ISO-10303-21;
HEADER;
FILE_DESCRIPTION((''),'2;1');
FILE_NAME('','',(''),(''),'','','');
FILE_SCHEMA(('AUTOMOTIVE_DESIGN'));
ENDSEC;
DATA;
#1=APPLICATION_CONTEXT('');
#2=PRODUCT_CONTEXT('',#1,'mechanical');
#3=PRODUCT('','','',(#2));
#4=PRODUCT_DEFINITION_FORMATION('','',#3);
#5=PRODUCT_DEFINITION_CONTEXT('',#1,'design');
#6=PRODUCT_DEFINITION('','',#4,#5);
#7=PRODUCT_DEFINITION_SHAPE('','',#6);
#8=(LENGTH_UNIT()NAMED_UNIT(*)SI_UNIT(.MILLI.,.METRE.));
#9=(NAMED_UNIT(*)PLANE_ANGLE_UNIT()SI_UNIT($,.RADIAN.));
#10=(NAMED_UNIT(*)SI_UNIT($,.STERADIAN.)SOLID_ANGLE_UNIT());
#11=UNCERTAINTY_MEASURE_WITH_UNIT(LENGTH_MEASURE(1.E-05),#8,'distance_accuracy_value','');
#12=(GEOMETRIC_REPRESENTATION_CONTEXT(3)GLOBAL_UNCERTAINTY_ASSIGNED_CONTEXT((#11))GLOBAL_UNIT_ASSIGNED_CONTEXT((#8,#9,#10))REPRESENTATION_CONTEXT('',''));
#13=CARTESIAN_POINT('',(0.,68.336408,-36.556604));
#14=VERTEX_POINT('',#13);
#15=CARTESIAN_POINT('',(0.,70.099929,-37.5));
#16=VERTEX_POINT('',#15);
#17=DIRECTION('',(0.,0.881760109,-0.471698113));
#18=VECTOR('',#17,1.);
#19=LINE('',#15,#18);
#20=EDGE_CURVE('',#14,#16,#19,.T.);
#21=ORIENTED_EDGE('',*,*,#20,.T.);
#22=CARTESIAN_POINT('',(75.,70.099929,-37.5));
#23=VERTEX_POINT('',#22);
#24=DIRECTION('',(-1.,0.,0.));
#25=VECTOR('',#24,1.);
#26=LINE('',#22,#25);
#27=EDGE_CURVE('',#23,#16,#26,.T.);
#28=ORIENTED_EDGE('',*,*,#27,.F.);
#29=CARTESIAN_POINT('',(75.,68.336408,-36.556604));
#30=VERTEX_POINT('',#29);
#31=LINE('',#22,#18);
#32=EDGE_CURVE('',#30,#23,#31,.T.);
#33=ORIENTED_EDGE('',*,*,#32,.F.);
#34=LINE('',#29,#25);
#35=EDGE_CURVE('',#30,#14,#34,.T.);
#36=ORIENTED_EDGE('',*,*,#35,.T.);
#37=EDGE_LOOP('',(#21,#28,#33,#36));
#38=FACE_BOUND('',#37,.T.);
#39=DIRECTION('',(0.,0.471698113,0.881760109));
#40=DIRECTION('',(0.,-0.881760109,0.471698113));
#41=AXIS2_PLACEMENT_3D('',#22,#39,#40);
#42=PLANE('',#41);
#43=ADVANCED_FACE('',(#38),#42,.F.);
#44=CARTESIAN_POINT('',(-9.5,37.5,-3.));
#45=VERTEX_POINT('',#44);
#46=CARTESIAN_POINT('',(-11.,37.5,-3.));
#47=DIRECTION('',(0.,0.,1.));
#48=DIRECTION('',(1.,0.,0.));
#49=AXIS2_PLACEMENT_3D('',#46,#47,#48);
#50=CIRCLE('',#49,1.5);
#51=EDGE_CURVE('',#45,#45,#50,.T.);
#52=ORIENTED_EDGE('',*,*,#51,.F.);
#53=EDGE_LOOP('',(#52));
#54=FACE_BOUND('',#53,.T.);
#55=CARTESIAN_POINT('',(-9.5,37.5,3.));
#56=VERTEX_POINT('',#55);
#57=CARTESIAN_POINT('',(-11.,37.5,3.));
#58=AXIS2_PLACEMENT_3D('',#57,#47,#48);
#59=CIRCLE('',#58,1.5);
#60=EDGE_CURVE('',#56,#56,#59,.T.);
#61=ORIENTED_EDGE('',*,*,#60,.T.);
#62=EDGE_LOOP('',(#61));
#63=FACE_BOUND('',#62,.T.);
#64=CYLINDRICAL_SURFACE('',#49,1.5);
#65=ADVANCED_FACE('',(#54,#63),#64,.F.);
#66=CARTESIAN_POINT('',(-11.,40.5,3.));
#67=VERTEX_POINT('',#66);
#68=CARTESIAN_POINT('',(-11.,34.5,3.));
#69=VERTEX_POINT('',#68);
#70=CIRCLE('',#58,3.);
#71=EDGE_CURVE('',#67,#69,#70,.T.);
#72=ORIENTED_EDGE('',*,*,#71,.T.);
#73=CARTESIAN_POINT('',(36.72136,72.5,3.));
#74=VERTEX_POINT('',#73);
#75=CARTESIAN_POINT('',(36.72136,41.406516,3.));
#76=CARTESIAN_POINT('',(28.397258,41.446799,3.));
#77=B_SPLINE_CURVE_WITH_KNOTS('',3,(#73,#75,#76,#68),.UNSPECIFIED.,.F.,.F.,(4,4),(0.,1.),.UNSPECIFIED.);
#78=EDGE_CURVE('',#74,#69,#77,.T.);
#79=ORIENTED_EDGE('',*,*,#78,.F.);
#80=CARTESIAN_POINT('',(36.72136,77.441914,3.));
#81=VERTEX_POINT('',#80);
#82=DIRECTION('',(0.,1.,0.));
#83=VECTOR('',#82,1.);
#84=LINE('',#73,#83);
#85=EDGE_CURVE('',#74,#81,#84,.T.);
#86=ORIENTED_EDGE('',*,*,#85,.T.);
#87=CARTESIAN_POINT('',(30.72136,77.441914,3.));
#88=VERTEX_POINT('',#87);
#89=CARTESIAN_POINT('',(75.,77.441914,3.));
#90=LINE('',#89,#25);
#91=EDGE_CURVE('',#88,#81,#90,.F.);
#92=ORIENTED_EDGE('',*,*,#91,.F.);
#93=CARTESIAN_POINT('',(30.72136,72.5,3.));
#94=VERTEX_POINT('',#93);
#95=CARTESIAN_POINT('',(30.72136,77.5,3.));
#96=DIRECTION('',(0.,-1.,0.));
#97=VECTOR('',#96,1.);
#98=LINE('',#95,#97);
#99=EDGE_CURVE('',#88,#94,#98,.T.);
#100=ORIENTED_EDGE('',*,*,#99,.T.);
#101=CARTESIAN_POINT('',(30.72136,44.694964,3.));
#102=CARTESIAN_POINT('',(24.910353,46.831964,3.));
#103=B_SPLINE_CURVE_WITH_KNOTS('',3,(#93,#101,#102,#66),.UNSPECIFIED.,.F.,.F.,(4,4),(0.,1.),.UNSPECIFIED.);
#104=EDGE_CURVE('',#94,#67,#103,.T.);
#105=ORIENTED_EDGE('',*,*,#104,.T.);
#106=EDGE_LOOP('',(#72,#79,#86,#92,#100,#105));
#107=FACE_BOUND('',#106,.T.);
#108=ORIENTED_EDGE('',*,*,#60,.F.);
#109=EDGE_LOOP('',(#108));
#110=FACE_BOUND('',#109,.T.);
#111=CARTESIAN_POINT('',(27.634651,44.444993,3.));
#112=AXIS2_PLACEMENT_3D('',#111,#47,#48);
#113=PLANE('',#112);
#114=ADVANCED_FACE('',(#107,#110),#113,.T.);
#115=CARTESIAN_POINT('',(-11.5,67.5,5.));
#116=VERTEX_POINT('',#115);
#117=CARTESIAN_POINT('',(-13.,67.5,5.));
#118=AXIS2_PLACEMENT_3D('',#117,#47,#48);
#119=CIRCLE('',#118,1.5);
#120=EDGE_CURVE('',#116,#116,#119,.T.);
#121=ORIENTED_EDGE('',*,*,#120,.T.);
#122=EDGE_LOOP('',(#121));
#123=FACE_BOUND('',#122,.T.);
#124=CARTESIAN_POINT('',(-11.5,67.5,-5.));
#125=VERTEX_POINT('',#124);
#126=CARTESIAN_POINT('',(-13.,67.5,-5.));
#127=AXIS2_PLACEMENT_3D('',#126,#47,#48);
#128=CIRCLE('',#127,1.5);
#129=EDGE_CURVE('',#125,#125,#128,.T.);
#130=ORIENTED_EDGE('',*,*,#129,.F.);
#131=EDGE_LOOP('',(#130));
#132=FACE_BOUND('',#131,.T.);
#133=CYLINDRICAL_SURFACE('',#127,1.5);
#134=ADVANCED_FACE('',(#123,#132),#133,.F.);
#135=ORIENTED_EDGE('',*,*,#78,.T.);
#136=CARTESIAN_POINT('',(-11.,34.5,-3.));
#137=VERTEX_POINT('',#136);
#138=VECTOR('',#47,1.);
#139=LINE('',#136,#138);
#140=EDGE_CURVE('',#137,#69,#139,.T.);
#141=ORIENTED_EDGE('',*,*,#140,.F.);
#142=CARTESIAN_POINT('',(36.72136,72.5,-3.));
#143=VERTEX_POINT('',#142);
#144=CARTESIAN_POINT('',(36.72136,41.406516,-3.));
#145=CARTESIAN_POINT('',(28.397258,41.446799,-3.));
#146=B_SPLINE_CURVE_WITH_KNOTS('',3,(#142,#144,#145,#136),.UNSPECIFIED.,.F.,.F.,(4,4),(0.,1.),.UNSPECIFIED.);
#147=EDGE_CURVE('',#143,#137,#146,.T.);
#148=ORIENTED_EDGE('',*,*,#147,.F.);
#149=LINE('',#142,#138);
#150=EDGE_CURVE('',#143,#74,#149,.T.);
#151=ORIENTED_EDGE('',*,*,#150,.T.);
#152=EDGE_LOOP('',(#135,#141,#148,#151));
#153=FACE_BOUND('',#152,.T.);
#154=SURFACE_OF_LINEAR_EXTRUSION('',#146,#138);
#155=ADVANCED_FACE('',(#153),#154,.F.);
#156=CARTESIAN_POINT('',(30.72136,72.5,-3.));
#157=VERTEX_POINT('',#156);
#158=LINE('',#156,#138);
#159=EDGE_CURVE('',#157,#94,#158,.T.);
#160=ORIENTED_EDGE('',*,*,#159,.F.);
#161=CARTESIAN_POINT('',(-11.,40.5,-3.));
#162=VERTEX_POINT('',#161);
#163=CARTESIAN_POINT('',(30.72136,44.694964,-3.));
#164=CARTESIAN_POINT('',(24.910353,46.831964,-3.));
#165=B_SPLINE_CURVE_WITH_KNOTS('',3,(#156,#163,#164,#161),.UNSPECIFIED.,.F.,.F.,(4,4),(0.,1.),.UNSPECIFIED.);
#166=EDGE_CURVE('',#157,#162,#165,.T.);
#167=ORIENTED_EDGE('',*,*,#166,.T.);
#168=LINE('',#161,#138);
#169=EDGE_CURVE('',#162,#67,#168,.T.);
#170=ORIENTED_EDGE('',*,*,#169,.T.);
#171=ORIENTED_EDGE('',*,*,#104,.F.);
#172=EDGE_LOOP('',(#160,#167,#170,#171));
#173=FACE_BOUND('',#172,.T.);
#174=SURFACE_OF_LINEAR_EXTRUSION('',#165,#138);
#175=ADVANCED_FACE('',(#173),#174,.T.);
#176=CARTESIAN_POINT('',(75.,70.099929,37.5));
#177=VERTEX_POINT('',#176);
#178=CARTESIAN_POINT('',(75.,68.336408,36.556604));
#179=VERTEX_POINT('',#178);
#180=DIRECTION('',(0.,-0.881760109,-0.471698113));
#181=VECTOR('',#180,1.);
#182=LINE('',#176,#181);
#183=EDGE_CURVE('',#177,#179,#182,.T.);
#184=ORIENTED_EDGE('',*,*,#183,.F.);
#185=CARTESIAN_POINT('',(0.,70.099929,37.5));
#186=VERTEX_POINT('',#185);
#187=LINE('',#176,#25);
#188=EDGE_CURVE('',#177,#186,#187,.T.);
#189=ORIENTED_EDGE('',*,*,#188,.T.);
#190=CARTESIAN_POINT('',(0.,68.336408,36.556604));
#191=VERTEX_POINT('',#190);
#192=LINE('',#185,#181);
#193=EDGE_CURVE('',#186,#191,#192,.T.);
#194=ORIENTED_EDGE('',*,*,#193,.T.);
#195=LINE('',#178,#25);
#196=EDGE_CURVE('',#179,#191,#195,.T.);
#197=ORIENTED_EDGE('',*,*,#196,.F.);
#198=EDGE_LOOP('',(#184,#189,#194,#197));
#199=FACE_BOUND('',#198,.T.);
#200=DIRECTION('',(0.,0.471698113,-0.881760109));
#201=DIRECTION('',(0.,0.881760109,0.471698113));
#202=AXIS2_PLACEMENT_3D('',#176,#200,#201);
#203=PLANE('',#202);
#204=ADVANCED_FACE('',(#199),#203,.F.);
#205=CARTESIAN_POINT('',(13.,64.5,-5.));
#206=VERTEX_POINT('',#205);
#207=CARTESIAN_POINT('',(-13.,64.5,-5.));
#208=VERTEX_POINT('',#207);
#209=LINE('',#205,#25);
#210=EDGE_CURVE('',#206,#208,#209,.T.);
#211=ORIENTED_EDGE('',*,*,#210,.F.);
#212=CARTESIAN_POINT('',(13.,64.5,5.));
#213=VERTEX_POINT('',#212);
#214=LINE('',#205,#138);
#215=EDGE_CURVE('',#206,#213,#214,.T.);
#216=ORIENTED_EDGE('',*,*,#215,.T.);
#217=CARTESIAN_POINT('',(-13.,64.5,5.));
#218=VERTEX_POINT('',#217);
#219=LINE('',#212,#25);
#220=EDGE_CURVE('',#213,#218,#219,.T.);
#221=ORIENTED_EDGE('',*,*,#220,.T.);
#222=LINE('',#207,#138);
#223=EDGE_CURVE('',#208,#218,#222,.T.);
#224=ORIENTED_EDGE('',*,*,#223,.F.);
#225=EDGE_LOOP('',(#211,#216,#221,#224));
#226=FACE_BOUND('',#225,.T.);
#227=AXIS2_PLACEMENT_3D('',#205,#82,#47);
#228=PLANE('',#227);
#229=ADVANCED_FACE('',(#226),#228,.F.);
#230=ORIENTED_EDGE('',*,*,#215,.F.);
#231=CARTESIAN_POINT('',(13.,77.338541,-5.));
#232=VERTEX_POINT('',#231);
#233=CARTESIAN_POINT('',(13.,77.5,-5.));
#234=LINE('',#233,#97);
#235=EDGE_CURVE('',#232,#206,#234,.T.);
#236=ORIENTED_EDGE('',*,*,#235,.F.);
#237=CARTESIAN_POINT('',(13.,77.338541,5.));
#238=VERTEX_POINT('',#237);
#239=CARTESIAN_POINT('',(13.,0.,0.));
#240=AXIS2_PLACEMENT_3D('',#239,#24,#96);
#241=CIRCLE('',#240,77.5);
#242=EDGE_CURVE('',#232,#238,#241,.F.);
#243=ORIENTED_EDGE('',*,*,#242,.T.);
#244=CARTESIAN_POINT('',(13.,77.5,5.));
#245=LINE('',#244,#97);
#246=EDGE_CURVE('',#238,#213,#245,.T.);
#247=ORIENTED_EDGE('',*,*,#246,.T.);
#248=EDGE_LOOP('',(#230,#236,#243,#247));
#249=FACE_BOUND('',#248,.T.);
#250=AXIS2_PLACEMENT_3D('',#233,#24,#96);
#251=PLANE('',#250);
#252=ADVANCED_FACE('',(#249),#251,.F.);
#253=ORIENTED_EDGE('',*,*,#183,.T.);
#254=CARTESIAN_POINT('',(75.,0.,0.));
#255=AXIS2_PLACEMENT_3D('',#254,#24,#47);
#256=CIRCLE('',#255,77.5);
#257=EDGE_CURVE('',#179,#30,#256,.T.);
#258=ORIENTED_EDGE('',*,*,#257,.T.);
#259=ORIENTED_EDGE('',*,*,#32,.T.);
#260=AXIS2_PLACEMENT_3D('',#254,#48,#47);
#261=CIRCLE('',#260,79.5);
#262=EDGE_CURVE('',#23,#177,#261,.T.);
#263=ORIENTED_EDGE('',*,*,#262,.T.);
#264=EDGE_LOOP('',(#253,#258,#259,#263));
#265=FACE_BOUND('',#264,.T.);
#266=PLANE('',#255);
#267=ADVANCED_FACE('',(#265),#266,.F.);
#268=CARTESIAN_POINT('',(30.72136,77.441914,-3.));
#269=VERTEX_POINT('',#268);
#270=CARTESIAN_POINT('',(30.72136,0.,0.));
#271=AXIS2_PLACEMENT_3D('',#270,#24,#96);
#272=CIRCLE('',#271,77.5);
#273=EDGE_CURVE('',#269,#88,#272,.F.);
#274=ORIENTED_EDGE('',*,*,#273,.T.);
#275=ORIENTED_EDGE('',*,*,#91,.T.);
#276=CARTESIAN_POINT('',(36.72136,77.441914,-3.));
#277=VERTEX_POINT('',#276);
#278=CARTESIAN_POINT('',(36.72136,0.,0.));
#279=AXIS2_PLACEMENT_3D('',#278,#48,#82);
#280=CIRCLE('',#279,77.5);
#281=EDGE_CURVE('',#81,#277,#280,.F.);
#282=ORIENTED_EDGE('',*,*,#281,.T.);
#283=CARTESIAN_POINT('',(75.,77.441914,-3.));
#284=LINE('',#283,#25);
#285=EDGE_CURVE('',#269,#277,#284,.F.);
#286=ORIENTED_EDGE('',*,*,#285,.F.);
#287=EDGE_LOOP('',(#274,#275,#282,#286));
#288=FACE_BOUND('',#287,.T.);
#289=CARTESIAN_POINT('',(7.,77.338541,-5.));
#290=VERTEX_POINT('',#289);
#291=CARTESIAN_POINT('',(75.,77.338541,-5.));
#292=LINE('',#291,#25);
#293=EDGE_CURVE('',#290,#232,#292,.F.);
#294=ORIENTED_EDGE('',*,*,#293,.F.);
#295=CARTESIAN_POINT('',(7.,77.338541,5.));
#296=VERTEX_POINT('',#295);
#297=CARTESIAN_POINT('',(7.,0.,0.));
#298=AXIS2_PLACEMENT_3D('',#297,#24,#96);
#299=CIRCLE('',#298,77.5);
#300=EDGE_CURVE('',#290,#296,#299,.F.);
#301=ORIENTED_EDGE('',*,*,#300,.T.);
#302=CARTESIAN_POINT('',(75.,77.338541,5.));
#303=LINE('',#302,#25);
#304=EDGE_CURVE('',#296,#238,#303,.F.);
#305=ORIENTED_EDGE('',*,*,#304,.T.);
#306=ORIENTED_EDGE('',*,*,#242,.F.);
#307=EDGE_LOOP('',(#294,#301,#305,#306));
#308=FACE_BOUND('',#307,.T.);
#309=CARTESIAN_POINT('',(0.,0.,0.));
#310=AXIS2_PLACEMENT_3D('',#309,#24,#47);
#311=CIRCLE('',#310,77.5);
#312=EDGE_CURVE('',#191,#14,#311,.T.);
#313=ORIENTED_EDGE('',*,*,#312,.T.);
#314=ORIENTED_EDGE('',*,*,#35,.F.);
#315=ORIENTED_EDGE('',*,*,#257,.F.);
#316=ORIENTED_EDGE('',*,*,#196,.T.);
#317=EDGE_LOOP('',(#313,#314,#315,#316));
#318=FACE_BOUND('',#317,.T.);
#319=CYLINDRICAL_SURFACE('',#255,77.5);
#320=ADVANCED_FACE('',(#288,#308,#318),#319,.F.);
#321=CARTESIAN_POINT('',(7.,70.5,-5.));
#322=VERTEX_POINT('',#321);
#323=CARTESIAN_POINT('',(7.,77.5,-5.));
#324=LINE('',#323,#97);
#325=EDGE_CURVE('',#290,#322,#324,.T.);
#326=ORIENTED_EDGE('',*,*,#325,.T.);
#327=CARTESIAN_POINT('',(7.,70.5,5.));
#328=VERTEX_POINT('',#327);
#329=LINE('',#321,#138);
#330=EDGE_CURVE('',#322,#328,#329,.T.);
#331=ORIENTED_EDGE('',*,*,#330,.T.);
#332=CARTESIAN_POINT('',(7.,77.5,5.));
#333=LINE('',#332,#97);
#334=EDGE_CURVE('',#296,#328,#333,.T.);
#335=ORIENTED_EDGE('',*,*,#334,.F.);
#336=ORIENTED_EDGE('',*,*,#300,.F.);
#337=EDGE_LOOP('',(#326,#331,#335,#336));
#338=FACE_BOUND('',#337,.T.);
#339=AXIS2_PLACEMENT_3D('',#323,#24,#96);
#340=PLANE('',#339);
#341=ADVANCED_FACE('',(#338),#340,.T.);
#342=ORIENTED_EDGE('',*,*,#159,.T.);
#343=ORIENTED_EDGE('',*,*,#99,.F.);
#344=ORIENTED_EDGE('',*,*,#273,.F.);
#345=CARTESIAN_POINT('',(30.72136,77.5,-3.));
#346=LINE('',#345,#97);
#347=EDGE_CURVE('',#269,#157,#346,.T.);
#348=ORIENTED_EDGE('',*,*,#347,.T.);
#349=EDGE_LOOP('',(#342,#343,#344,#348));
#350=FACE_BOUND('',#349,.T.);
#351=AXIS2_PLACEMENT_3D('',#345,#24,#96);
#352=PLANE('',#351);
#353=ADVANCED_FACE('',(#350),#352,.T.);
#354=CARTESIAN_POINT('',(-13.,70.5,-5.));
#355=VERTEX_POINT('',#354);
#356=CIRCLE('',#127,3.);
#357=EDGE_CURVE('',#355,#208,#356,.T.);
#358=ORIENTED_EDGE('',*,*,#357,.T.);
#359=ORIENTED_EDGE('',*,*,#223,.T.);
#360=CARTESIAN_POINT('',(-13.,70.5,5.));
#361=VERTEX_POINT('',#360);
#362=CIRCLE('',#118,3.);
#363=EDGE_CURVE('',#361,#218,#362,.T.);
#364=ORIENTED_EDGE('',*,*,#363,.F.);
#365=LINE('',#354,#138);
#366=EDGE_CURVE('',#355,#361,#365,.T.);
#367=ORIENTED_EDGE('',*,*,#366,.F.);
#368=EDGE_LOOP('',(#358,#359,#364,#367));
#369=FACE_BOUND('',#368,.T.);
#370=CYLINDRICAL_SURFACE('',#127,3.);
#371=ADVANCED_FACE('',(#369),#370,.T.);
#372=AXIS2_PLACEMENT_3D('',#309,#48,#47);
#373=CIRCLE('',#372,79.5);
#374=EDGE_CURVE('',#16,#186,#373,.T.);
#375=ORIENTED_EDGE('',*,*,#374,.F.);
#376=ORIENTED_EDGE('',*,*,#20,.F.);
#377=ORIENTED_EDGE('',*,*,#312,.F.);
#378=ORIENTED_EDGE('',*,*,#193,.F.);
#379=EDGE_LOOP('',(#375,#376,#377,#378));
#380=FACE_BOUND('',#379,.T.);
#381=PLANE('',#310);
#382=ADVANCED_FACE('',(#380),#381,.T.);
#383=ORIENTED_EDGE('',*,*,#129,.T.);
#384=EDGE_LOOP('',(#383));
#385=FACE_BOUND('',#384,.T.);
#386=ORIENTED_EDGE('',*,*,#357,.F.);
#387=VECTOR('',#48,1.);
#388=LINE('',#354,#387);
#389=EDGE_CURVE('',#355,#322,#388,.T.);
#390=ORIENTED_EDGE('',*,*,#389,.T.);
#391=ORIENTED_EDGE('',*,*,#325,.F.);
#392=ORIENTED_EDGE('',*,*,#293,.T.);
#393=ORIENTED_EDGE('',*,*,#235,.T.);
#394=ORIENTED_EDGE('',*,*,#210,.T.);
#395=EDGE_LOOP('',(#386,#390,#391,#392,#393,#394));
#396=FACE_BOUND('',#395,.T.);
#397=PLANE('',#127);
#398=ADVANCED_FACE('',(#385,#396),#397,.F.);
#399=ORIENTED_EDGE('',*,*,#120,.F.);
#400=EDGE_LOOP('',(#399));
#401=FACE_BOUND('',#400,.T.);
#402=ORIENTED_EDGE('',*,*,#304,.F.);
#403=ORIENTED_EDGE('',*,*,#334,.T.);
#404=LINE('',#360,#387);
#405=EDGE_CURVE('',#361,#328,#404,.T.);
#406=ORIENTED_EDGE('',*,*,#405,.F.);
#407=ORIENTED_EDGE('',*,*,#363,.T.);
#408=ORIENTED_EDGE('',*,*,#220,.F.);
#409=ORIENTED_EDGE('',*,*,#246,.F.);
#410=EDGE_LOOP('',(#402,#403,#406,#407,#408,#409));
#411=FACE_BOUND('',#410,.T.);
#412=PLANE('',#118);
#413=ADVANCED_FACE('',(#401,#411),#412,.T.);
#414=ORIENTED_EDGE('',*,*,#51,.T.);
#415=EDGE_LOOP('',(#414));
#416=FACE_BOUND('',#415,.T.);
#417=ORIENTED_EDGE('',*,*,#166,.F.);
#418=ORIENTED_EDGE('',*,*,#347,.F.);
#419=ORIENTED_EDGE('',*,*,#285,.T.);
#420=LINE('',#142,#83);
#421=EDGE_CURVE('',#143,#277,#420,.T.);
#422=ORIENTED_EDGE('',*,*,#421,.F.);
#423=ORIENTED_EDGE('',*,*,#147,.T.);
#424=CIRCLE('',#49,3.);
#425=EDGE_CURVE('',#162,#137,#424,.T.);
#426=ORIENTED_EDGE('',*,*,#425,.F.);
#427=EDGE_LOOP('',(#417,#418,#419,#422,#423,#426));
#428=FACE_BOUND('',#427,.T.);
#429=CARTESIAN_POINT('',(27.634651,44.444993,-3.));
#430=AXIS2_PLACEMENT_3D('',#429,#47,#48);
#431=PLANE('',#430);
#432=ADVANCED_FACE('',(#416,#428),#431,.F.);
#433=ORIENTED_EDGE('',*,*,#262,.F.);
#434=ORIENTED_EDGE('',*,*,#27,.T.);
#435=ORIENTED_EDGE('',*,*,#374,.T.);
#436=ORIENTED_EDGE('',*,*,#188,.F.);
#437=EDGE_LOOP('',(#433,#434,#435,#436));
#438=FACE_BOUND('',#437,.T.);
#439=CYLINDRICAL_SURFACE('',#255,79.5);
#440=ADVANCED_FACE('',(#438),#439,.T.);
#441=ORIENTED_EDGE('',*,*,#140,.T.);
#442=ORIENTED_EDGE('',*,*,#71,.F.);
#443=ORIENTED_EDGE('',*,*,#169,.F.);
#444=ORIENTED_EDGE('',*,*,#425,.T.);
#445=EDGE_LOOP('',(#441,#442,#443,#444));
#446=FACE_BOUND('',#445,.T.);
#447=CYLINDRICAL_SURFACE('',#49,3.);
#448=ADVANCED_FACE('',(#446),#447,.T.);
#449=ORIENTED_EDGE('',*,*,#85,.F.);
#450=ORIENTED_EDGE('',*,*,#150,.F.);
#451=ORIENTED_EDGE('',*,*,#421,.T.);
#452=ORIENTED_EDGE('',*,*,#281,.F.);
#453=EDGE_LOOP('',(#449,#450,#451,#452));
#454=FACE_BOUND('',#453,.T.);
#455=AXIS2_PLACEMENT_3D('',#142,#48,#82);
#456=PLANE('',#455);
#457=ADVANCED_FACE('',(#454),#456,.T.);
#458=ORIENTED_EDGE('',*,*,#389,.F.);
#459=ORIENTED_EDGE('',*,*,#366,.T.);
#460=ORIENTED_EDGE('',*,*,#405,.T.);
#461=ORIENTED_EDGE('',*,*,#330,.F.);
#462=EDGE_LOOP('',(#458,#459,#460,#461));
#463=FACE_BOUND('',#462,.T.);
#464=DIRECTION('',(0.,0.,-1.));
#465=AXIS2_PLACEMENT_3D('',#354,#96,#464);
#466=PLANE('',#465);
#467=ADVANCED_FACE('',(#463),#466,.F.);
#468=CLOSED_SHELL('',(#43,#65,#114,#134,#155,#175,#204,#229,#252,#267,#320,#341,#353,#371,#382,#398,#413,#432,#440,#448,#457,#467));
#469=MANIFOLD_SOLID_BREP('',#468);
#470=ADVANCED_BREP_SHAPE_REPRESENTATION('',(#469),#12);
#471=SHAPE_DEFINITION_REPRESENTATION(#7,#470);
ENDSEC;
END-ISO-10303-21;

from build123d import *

# Parameters (mm, degrees)
BOSS_EXTRU_1_DEPTH      = 75
BOSS_EXTRU_3_DEPTH      = 5
BOSS_EXTRU_3_DEPTH_BACK = 5
ESQUISSE7_R             = 1.5
BOSS_EXTRU_2_DEPTH      = 3
BOSS_EXTRU_2_DEPTH_BACK = 3
ESQUISSE3_R             = 1.5


with BuildPart() as part:
    # Esquisse1 → Boss.-Extru.1 (new body)
    with BuildSketch(Plane(origin=(0, 0, 0), x_dir=(0, 0, -1), z_dir=(1, 0, 0))):
        with BuildLine():
            Line((-37.5, 70.099928673), (-36.556603774, 68.336408455))
            ThreePointArc((-36.556603774, 68.336408455), (0, 77.5), (36.556603774, 68.336408455))
            Line((36.556603774, 68.336408455), (37.5, 70.099928673))
            ThreePointArc((37.5, 70.099928673), (0, 79.5), (-37.5, 70.099928673))
        make_face()
    extrude(amount=BOSS_EXTRU_1_DEPTH)

    # Esquisse7 → Boss.-Extru.3 (add, two sides: drawn at the far end of the back side and taken through both)
    with BuildSketch(Plane.XY.offset(-BOSS_EXTRU_3_DEPTH_BACK)):
        with BuildLine():
            Line((7, 77.5), (7, 70.5))
            Line((7, 70.5), (-13, 70.5))
            ThreePointArc((-13, 70.5), (-16, 67.5), (-13, 64.5))
            Line((-13, 64.5), (13, 64.5))
            Line((13, 64.5), (13, 77.5))
            Line((13, 77.5), (7, 77.5))
        make_face()
        with Locations((-13, 67.5)):
            Circle(ESQUISSE7_R, mode=Mode.SUBTRACT)
    extrude(amount=BOSS_EXTRU_3_DEPTH + BOSS_EXTRU_3_DEPTH_BACK)

    # Esquisse3 → Boss.-Extru.2 (add, two sides: drawn at the far end of the back side and taken through both)
    with BuildSketch(Plane.XY.offset(-BOSS_EXTRU_2_DEPTH_BACK)):
        with BuildLine():
            Line((30.72135955, 77.5), (30.72135955, 72.5))
            add(Edge.make_bspline(
                [(30.72135955, 72.5), (30.72135955, 44.694963761), (24.910353183, 46.831964153), (-11, 40.5)],
                knots=[0, 0, 0, 0, 1, 1, 1, 1], degree=3))
            ThreePointArc((-11, 40.5), (-14, 37.5), (-11, 34.5))
            add(Edge.make_bspline(
                [(36.72135955, 72.5), (36.72135955, 41.406516096), (28.397257564, 41.446799475), (-11, 34.5)],
                knots=[0, 0, 0, 0, 1, 1, 1, 1], degree=3))
            Line((36.72135955, 72.5), (36.72135955, 77.5))
            Line((36.72135955, 77.5), (30.72135955, 77.5))
        make_face()
        with Locations((-11, 37.5)):
            Circle(ESQUISSE3_R, mode=Mode.SUBTRACT)
    extrude(amount=BOSS_EXTRU_2_DEPTH + BOSS_EXTRU_2_DEPTH_BACK)


solid = part.part
